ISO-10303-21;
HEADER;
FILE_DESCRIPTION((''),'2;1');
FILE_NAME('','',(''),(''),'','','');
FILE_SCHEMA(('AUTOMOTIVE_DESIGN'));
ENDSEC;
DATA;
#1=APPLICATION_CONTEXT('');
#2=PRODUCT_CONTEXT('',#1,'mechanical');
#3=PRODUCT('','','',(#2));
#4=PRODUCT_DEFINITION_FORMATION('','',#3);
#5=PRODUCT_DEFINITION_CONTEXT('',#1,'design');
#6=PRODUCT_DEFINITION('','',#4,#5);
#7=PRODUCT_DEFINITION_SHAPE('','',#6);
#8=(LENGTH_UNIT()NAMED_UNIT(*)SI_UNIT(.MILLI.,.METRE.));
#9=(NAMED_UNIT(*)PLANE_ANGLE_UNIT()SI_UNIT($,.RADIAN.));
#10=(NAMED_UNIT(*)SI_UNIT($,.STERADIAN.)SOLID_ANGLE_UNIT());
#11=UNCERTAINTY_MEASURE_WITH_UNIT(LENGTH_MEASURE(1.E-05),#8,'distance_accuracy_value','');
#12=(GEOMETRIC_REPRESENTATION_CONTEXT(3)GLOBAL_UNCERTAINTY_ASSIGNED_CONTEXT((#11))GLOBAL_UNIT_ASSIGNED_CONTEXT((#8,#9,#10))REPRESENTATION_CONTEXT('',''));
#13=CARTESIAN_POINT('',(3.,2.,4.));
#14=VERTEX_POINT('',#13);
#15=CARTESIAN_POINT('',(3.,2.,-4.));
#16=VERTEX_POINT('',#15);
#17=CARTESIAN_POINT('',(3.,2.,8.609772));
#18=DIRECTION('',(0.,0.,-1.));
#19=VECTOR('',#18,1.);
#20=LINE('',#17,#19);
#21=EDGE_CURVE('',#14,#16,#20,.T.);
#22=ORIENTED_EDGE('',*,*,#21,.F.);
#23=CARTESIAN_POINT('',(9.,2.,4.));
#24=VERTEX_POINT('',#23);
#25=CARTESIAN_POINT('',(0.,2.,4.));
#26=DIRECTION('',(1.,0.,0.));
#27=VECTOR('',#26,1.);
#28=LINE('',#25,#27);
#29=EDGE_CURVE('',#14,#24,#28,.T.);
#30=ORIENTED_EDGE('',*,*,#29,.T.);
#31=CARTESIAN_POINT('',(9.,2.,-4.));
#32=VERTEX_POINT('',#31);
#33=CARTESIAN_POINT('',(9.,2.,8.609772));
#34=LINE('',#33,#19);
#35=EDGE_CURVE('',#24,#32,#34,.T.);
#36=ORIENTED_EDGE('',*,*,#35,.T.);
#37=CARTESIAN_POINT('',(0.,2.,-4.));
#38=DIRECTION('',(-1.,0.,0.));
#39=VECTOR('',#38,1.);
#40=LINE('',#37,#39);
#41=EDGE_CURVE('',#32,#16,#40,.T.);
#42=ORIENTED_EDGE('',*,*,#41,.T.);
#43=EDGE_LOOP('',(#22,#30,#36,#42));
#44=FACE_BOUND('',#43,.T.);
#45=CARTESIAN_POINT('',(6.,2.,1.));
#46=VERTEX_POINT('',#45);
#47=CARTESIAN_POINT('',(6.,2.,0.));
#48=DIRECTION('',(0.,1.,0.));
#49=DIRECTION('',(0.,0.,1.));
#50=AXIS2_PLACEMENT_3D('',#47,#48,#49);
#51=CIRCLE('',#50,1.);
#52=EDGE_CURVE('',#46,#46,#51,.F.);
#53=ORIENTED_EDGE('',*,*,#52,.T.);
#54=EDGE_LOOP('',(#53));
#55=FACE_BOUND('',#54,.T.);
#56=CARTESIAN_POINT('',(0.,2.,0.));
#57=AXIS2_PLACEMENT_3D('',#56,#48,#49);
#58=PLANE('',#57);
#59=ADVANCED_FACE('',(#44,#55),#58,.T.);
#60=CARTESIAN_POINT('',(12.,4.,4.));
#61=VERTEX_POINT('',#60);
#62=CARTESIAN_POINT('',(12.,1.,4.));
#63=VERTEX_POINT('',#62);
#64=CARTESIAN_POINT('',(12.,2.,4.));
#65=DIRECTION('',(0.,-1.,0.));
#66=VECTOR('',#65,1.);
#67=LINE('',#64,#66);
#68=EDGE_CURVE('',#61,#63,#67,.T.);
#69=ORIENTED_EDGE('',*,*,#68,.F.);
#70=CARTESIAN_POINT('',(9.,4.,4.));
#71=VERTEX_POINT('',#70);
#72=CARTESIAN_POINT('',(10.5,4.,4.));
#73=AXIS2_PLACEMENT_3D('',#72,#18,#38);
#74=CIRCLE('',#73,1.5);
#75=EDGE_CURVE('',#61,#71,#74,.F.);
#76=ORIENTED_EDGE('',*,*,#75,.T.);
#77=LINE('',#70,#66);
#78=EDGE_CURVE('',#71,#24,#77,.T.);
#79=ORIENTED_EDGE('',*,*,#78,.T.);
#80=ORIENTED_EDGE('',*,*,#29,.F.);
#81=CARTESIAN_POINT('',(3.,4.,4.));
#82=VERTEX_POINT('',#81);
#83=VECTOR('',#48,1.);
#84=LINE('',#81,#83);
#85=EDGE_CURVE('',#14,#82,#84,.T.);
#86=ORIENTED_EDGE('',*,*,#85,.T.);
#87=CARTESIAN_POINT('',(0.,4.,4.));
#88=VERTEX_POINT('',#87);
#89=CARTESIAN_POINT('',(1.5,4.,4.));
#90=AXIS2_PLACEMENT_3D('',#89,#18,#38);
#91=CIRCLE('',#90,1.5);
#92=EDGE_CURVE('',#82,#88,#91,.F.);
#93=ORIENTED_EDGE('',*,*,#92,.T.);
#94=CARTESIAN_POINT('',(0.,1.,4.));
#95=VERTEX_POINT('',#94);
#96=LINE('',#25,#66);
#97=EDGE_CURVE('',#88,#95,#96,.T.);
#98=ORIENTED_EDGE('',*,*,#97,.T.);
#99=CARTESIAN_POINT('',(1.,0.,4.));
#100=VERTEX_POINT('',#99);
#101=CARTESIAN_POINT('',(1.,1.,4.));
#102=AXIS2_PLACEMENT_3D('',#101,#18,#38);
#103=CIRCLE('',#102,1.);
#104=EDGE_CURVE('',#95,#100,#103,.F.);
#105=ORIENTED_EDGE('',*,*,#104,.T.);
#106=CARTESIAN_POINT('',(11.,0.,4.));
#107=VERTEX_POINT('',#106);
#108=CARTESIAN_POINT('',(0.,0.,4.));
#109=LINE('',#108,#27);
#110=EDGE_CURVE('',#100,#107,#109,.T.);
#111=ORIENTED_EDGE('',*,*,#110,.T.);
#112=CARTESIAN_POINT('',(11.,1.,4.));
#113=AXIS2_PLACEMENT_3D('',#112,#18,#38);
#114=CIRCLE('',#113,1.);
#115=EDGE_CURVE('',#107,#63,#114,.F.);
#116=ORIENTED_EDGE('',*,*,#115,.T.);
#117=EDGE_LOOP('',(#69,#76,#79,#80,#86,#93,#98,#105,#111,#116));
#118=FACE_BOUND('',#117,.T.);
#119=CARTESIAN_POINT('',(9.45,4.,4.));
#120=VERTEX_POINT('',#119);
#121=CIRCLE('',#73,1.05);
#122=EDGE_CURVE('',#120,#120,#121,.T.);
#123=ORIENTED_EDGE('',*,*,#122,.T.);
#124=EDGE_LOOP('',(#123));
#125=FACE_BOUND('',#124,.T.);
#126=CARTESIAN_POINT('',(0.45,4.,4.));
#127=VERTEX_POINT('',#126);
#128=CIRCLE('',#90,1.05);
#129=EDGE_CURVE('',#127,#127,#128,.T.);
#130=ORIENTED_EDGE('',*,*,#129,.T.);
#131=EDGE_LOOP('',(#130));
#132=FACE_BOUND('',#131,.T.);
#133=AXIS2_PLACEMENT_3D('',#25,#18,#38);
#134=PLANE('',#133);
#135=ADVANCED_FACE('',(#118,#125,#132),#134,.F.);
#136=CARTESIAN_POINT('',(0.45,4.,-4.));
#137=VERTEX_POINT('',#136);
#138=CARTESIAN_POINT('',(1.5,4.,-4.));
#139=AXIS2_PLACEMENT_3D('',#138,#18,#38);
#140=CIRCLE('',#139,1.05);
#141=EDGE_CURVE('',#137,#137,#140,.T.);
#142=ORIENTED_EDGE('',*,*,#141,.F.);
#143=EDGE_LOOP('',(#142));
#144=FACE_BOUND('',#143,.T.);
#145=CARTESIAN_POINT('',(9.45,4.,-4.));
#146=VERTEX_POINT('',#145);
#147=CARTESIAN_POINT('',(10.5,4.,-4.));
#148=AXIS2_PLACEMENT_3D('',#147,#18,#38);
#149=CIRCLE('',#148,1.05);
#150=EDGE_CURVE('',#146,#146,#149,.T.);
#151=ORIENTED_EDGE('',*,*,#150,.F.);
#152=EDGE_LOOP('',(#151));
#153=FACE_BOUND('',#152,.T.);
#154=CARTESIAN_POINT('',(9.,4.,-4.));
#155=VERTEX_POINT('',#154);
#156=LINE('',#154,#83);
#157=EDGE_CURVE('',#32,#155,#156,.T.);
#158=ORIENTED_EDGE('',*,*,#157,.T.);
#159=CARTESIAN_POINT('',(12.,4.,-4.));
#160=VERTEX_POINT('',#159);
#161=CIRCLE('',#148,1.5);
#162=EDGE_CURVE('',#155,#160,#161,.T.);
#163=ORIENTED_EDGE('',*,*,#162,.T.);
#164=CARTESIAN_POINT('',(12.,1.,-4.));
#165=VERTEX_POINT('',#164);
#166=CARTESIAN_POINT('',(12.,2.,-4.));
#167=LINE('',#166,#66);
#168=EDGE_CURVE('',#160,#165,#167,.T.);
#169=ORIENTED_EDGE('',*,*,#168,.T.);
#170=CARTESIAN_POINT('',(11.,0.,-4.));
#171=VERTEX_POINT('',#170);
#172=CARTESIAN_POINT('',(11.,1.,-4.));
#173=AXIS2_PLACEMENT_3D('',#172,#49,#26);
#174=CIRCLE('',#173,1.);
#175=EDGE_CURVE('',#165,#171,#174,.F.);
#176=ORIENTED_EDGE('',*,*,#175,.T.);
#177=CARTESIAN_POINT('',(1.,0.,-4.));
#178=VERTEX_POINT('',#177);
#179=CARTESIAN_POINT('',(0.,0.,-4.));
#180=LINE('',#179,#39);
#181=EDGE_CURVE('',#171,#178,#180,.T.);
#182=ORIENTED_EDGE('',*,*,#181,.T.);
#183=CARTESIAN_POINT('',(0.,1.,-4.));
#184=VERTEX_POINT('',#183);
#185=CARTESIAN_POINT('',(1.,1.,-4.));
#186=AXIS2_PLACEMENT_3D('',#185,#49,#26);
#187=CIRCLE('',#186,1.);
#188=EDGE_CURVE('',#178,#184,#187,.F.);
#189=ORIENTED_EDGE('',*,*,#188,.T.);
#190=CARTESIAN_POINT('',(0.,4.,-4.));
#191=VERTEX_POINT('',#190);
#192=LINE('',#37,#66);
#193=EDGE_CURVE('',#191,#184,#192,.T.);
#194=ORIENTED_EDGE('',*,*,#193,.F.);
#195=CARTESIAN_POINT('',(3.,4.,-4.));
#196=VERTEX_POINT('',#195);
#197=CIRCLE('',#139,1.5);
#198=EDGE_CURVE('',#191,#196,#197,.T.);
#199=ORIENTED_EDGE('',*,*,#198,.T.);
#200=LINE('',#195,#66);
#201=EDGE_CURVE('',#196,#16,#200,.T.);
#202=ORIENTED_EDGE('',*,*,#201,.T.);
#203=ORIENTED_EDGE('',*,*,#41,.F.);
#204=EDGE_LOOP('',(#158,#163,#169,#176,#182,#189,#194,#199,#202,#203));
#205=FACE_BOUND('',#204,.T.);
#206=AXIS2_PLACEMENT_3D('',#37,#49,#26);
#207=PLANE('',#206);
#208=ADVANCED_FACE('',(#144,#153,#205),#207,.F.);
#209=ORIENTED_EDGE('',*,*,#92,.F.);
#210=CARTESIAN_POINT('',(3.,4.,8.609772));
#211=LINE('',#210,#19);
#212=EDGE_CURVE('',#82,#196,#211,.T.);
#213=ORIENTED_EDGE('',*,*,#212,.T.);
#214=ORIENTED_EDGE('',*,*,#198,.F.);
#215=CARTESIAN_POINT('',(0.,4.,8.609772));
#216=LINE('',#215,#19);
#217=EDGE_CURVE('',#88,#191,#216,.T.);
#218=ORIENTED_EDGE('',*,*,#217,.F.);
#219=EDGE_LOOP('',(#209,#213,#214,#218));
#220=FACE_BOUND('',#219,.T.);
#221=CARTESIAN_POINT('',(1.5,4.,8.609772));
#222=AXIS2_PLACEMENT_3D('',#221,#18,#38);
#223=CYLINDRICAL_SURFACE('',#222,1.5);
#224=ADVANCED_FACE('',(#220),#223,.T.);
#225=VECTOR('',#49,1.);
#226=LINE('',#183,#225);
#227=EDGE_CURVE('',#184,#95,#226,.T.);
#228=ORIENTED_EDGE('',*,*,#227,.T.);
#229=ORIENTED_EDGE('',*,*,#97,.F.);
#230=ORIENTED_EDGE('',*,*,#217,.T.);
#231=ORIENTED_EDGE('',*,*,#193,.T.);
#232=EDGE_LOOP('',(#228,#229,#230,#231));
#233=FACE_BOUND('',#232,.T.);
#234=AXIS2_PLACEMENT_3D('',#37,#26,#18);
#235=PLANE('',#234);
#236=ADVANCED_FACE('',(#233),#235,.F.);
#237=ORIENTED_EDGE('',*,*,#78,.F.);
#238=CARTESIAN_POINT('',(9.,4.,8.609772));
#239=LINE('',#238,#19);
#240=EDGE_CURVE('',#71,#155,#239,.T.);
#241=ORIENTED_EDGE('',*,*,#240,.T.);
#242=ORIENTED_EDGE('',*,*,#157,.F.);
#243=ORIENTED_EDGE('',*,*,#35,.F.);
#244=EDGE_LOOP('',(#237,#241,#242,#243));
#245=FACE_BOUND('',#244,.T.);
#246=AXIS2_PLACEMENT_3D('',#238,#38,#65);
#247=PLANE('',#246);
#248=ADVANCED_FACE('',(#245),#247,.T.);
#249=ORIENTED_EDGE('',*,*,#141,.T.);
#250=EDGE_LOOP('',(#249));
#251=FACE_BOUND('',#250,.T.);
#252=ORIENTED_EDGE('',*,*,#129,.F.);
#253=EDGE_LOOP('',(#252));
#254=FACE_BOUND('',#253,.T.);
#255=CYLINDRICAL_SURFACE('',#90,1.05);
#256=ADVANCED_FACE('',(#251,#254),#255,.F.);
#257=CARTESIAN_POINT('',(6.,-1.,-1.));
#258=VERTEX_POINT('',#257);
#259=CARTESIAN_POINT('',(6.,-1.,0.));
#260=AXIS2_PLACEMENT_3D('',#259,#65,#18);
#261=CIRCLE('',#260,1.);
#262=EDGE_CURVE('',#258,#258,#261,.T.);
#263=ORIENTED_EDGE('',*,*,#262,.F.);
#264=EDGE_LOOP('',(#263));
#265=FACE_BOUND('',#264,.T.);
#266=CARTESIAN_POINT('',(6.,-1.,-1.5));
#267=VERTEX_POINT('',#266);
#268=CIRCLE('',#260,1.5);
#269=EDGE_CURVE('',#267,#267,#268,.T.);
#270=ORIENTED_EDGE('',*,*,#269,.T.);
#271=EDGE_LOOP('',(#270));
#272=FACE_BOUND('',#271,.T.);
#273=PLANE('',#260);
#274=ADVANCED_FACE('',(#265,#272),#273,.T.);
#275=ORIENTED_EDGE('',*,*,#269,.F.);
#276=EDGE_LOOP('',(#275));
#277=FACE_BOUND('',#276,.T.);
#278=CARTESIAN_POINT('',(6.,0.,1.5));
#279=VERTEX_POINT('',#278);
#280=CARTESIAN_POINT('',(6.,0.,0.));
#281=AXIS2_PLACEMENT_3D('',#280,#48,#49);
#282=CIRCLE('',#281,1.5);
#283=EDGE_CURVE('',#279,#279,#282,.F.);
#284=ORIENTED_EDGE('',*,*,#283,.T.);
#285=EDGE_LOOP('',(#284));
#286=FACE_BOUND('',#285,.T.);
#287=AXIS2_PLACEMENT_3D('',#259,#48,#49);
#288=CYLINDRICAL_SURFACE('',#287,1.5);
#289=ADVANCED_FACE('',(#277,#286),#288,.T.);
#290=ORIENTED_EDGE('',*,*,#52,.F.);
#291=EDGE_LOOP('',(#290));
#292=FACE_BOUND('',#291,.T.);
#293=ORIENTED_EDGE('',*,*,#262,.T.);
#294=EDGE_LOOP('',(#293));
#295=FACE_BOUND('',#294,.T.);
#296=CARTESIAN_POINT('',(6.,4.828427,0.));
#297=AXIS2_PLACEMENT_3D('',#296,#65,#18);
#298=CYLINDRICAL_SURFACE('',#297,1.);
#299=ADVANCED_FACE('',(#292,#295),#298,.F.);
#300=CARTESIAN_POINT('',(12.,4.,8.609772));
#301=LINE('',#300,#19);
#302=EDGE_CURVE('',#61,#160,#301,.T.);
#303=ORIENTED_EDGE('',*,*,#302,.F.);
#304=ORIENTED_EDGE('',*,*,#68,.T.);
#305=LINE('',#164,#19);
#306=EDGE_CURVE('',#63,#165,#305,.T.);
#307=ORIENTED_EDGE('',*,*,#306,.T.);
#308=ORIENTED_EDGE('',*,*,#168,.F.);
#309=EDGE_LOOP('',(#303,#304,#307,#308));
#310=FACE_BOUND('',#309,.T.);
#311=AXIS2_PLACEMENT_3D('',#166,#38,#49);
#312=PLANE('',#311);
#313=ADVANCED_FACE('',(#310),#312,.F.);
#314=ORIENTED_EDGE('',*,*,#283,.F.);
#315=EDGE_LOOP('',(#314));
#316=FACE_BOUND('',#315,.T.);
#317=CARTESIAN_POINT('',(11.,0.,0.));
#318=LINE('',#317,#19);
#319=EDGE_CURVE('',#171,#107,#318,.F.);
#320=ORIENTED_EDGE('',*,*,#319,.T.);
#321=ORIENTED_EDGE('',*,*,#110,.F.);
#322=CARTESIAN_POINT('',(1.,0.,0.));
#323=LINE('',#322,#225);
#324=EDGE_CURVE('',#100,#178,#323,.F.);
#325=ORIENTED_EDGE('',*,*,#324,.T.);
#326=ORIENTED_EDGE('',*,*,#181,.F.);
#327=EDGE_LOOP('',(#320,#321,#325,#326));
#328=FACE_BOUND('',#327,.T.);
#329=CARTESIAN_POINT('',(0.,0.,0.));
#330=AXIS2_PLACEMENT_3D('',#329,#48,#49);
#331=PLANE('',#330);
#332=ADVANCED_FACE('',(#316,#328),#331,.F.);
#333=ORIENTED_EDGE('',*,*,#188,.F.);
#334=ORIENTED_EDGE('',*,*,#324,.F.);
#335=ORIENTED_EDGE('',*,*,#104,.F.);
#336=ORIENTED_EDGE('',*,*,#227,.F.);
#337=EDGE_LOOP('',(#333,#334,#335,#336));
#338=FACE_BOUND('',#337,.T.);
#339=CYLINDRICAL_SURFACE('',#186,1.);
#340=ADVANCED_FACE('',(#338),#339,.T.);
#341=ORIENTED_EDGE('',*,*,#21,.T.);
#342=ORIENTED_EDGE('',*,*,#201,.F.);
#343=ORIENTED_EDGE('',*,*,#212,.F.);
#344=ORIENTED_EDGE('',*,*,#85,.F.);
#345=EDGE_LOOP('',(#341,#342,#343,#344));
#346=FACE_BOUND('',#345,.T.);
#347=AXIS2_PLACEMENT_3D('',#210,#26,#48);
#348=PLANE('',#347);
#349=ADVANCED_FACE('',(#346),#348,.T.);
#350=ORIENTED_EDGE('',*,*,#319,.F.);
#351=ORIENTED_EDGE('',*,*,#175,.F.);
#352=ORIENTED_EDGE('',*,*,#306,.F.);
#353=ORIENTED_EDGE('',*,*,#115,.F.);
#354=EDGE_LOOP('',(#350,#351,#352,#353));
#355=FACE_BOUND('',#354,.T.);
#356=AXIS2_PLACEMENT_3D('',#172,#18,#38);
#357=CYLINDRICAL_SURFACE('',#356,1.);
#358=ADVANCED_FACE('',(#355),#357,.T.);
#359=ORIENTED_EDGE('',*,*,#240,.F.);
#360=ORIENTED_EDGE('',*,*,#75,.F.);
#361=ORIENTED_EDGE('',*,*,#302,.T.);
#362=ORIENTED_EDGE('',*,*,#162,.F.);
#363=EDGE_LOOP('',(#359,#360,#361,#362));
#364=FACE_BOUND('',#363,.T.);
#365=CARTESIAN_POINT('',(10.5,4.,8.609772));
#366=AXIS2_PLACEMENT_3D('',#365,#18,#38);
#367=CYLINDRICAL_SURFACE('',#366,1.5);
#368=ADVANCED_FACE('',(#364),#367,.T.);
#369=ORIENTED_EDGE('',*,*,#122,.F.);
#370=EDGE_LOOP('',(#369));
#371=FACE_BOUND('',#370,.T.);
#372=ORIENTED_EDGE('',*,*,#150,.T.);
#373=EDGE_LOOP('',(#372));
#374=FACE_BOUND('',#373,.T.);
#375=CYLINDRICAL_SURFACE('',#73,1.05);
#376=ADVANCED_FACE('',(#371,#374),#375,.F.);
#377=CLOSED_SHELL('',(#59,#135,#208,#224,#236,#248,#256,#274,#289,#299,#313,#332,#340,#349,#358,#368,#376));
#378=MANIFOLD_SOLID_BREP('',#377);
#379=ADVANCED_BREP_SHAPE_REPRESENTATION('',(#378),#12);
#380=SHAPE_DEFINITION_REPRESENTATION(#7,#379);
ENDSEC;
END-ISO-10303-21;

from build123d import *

# Parameters (mm, degrees)
SKETCH_1_W          = 12
SKETCH_1_H          = 8
EXTRUDE_1_DEPTH     = 2
EXTRUDE_6_DEPTH     = 8
SKETCH_11_R         = 1.05
CUT_EXTRUDE_1_DEPTH = 16.43534904
FILLET_3_R          = 1
SKETCH_12_R         = 1
CUT_EXTRUDE_2_DEPTH = 2
EXTRUDE_START       = 1
SKETCH_13_R         = 1.5
SKETCH_13_R_2       = 1
EXTRUDE_7_DEPTH     = 1


with BuildPart() as part:
    # 草图1 → 凸台-拉伸1 (new body)
    with BuildSketch(Plane(origin=(0, 0, 0), x_dir=(1, 0, 0), z_dir=(0, 1, 0))):
        with Locations((6, 0)):
            Rectangle(SKETCH_1_W, SKETCH_1_H)
    extrude(amount=EXTRUDE_1_DEPTH)

    # 草图10 → 凸台-拉伸6 (add)
    with BuildSketch(Plane(origin=(0, 0, -4), x_dir=(-1, 0, 0), z_dir=(0, 0, -1))):
        with BuildLine():
            Line((-12, 2), (-12, 4))
            ThreePointArc((-12, 4), (-10.5, 5.5), (-9, 4))
            Line((-9, 4), (-9, 2))
            Line((-9, 2), (-12, 2))
        make_face()
        with BuildLine():
            Line((-3, 2), (0, 2))
            Line((0, 2), (0, 4))
            ThreePointArc((0, 4), (-1.5, 5.5), (-3, 4))
            Line((-3, 4), (-3, 2))
        make_face()
    extrude(amount=-EXTRUDE_6_DEPTH)

    # 草图11 → 切除-拉伸1 (cut, through all)
    with BuildSketch(Plane(origin=(0, 0, -4), x_dir=(-1, 0, 0), z_dir=(0, 0, -1))):
        with Locations((-1.5, 4)):
            Circle(SKETCH_11_R)
        with Locations((-10.5, 4)):
            Circle(SKETCH_11_R)
    extrude(amount=-CUT_EXTRUDE_1_DEPTH, mode=Mode.SUBTRACT)

    # 圆角3
    fillet_3_edges = [part.edges().sort_by_distance(p)[0] for p in [
        (12, 0, 0),
        (0, 0, 0),
    ]]
    fillet(fillet_3_edges, radius=FILLET_3_R)

    # 草图12 → 切除-拉伸2 (cut)
    with BuildSketch(Plane.XZ):
        with Locations(Location((6, 0, 0), (0, 0, 270))):
            Circle(SKETCH_12_R)
    extrude(amount=-CUT_EXTRUDE_2_DEPTH, mode=Mode.SUBTRACT)

    # 草图13 → 凸台-拉伸7 (add)
    with BuildSketch(Plane.XZ.offset(EXTRUDE_START)):
        with Locations(Location((6, 0, 0), (0, 0, 90))):
            Circle(SKETCH_13_R)
        with Locations(Location((6, 0, 0), (0, 0, 270))):
            Circle(SKETCH_13_R_2, mode=Mode.SUBTRACT)
    extrude(amount=-EXTRUDE_7_DEPTH)


solid = part.part
